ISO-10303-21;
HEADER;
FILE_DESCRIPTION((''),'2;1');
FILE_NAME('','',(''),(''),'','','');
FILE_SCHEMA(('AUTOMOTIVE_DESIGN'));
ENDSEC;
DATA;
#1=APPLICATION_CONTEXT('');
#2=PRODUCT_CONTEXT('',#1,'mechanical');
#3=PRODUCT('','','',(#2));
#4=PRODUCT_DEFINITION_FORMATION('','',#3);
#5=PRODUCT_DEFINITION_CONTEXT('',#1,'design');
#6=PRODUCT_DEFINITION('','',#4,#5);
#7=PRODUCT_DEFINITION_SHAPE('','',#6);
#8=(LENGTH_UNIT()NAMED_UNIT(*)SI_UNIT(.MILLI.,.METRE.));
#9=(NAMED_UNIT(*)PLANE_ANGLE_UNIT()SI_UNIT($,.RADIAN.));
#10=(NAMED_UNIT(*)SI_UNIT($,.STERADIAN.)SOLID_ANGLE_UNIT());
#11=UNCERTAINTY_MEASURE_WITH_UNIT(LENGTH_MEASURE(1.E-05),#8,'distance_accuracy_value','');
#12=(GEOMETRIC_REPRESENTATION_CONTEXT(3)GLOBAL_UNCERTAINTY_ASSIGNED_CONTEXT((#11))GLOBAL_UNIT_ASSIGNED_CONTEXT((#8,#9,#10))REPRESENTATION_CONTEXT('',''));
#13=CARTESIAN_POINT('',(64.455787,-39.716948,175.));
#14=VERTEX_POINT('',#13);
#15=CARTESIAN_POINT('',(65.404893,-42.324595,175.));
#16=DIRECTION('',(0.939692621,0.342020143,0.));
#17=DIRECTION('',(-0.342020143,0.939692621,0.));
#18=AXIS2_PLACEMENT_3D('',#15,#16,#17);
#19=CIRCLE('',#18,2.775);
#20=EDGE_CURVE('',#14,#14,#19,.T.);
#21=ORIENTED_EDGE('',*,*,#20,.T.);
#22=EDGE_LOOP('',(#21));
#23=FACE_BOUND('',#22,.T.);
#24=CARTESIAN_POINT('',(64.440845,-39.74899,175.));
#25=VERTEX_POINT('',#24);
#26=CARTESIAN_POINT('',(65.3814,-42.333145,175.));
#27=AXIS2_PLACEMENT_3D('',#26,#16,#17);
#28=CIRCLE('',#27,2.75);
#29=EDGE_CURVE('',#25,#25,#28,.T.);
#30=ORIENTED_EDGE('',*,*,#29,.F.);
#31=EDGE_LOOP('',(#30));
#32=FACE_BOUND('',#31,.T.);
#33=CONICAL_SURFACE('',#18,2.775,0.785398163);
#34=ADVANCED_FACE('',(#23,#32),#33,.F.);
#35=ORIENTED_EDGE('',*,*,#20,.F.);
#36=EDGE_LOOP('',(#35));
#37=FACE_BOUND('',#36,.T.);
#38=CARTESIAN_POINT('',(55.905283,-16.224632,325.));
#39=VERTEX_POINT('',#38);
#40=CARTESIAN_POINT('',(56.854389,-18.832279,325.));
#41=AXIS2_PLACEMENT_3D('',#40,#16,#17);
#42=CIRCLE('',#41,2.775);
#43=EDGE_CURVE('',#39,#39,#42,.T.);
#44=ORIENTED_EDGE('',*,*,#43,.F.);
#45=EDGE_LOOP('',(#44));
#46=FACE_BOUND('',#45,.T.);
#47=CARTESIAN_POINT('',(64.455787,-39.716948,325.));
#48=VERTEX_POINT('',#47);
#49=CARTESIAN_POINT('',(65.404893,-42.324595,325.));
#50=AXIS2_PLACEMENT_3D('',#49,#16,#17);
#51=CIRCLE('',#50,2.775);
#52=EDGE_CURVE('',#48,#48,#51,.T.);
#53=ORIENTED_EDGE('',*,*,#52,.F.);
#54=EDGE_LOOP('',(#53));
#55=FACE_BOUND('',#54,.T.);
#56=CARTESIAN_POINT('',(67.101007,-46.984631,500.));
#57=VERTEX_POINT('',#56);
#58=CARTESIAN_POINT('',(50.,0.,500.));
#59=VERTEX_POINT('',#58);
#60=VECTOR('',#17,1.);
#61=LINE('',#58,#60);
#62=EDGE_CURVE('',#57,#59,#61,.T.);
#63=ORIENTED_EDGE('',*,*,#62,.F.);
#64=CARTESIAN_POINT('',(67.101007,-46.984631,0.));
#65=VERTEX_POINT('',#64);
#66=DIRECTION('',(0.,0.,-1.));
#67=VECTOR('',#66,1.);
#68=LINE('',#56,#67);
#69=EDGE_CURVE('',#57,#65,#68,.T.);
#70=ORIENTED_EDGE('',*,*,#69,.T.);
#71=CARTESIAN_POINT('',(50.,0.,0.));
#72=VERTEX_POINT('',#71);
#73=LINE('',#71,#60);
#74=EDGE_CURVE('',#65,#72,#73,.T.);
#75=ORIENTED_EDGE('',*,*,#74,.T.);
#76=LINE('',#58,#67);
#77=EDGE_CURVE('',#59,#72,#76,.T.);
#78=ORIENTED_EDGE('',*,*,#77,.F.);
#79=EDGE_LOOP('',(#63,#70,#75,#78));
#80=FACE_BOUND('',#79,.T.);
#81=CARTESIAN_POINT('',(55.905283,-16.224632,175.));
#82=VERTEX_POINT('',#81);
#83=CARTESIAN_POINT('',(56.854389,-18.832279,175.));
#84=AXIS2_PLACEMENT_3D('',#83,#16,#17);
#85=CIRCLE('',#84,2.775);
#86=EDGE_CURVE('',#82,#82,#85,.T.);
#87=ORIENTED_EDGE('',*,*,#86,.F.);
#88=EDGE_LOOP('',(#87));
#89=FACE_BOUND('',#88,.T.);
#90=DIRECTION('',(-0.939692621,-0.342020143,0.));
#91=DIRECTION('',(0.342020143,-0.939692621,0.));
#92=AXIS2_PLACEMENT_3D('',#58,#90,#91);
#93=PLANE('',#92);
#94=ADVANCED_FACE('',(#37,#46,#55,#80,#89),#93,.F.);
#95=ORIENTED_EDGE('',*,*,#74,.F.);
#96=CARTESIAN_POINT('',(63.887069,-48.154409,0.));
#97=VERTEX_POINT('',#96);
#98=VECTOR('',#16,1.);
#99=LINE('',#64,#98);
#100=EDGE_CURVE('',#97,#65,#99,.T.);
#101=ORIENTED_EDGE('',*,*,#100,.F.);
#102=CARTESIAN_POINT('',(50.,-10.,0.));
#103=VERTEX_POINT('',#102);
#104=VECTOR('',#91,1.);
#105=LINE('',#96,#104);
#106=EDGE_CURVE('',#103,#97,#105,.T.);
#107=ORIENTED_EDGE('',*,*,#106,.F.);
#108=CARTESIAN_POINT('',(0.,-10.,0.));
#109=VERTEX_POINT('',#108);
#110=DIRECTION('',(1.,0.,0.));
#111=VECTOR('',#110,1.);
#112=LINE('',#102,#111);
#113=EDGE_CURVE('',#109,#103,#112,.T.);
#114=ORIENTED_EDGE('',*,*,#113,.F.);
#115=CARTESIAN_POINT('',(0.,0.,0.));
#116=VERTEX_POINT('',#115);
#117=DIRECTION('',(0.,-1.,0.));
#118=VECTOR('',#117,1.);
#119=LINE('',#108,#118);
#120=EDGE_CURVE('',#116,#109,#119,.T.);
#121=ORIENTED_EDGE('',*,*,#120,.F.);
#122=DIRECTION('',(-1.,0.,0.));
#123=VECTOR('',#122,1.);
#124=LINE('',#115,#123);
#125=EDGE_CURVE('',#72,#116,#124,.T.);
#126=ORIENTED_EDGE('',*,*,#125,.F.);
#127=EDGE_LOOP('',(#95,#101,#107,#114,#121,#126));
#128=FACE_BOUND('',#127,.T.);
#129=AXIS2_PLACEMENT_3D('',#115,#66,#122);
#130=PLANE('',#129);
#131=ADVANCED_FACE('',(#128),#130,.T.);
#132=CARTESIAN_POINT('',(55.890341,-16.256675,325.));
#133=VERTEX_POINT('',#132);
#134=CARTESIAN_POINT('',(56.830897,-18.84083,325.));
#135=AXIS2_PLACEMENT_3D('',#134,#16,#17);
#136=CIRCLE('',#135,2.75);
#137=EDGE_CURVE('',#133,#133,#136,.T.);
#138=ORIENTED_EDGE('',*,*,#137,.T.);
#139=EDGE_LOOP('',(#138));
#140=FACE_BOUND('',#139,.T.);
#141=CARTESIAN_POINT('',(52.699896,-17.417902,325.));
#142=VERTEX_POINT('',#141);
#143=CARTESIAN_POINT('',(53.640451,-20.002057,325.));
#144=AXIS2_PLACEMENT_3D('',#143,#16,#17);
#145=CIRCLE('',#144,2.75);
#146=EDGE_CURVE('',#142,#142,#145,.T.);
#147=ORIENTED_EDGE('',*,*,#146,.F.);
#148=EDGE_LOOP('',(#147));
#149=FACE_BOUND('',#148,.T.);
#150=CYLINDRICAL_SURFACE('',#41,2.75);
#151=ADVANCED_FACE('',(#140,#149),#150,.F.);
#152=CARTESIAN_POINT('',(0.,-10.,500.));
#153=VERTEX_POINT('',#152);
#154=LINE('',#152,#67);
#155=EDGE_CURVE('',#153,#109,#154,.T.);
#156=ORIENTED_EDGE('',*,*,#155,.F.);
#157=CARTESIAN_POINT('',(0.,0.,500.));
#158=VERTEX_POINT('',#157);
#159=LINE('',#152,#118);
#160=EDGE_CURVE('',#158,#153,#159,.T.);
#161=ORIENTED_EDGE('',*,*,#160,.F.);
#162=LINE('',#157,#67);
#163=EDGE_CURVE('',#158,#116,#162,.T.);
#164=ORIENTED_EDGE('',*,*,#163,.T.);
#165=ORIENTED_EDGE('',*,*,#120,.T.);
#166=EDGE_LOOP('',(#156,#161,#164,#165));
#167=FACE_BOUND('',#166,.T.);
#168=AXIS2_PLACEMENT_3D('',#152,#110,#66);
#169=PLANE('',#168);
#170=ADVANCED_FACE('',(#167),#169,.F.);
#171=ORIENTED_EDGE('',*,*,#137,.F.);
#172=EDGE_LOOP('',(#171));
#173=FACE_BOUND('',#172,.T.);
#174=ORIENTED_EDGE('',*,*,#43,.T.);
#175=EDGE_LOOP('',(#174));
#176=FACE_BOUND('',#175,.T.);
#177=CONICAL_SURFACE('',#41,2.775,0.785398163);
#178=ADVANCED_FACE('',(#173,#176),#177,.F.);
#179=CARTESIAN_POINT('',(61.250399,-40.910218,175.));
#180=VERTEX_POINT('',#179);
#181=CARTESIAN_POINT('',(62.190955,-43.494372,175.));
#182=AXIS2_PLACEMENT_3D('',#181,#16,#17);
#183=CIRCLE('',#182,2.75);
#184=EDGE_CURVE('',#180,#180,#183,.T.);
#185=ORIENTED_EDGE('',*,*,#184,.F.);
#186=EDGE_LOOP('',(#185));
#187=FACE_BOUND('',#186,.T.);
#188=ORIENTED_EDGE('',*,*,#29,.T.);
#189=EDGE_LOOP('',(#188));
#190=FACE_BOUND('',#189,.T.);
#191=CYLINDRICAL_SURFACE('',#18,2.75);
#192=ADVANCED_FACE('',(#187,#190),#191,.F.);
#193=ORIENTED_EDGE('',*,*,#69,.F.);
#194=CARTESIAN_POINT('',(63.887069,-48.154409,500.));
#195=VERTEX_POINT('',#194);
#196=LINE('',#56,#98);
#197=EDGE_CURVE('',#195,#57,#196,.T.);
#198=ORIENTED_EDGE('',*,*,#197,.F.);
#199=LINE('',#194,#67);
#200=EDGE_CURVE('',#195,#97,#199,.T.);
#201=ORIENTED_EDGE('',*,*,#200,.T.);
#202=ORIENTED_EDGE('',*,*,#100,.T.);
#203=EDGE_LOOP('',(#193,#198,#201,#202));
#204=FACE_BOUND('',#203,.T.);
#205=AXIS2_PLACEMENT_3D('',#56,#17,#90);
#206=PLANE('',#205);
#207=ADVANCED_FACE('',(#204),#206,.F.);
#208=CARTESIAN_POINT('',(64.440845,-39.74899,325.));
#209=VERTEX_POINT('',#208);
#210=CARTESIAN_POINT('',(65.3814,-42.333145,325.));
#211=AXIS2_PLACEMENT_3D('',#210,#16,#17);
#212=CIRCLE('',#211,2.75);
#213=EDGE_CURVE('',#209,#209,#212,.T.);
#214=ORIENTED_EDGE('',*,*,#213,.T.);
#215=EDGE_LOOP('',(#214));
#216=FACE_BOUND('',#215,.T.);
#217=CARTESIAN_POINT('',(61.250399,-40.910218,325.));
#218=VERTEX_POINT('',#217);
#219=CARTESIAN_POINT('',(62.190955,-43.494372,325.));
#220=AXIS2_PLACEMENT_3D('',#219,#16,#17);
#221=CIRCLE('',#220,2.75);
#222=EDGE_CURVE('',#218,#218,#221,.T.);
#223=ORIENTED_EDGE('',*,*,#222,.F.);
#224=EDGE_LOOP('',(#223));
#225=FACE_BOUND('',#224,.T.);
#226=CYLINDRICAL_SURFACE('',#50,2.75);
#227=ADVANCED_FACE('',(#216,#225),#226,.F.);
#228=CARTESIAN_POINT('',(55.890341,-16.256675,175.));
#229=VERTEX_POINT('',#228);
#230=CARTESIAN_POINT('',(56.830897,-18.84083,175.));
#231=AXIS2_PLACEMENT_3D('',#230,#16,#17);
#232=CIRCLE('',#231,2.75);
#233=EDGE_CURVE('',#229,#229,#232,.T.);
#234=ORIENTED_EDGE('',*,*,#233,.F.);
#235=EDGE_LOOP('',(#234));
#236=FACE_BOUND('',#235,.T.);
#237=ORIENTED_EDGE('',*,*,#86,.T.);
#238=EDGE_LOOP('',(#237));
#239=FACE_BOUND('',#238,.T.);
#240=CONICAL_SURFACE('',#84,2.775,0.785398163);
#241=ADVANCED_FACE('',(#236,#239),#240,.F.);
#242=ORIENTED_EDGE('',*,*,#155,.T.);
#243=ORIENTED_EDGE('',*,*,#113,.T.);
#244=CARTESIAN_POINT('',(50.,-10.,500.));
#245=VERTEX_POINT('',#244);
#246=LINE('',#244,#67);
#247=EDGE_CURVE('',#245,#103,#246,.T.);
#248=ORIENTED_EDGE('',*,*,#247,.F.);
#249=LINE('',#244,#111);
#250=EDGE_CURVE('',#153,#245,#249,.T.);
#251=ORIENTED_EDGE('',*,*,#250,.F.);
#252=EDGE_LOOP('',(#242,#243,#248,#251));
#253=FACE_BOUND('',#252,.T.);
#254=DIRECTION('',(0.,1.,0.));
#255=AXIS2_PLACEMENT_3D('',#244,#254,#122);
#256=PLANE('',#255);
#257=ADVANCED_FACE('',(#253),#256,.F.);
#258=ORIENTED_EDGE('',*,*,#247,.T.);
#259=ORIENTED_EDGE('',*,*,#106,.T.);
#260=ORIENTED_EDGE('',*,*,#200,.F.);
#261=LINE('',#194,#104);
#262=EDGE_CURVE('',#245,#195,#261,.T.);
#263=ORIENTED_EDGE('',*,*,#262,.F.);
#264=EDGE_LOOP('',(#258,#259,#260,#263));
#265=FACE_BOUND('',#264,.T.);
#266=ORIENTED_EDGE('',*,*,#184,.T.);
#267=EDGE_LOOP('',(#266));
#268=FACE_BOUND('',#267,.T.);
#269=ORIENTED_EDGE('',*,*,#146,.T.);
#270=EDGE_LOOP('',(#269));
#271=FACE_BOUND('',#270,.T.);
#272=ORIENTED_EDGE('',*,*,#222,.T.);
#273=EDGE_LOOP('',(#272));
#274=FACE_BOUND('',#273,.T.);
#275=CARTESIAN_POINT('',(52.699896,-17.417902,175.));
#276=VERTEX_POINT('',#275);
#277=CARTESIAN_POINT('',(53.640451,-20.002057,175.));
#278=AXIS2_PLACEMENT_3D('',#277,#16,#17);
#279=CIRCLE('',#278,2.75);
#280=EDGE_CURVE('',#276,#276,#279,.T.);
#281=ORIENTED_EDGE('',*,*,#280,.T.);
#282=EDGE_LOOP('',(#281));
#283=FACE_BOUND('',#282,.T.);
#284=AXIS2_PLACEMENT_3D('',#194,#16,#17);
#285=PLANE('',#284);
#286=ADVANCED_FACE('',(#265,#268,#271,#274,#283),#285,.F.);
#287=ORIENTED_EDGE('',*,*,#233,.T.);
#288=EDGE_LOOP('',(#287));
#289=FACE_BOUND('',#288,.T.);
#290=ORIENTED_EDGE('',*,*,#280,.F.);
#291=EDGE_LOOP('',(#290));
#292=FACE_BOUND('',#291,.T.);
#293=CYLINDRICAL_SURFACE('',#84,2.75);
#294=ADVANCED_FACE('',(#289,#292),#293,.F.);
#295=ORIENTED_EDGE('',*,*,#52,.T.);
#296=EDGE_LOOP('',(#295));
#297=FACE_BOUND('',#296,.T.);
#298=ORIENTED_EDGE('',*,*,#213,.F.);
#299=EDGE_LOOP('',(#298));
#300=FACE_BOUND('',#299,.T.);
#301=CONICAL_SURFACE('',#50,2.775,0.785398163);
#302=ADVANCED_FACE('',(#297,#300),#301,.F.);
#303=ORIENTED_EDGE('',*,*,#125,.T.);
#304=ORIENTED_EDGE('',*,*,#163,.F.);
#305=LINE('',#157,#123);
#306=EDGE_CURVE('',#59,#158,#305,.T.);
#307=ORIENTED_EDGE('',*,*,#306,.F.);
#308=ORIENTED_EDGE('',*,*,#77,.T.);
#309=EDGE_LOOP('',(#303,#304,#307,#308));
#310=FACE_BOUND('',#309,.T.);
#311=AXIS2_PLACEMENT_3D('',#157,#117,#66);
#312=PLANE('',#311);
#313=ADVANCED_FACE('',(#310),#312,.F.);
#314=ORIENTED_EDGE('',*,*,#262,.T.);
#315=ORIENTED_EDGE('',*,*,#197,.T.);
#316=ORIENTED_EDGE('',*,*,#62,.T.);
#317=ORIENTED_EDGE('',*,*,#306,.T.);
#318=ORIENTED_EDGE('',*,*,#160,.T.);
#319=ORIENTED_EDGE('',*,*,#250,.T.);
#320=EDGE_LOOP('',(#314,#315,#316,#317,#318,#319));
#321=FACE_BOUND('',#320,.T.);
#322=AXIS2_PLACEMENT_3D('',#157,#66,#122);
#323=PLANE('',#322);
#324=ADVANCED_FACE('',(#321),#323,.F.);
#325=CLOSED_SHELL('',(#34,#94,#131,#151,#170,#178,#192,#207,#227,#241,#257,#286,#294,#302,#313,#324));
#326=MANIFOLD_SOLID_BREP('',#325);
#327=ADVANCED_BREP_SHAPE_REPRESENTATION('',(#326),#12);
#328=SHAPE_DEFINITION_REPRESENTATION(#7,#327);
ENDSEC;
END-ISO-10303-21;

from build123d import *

# Parameters (mm, degrees)
BOSS_EXTRUDE6_DEPTH            = 500
M5_CLEARANCE_HOLE1_D           = 5.5
M5_CLEARANCE_HOLE1_CSINK_D     = 5.55
M5_CLEARANCE_HOLE1_CSINK_ANGLE = 90


with BuildPart() as part:
    # Sketch4 → Boss-Extrude6 (new body)
    with BuildSketch(Plane.XY):
        Polygon((0, 0), (50, 0), (67.101007166, -46.984631039), (63.887069118, -48.154408824), (50, -10), (0, -10), align=None)
    extrude(amount=BOSS_EXTRUDE6_DEPTH)

    # M5 Clearance Hole1 (through all)
    with Locations(Plane(origin=(44.151111078, 16.069690242, 0), x_dir=(0, 0, -1), z_dir=(0.939692621, 0.342020143, 0))):
        with Locations((-325, -37.141900038), (-325, -62.141900038), (-175, -62.141900038), (-175, -37.141900038)):
            CounterSinkHole(M5_CLEARANCE_HOLE1_D / 2, M5_CLEARANCE_HOLE1_CSINK_D / 2, counter_sink_angle=M5_CLEARANCE_HOLE1_CSINK_ANGLE)


solid = part.part
